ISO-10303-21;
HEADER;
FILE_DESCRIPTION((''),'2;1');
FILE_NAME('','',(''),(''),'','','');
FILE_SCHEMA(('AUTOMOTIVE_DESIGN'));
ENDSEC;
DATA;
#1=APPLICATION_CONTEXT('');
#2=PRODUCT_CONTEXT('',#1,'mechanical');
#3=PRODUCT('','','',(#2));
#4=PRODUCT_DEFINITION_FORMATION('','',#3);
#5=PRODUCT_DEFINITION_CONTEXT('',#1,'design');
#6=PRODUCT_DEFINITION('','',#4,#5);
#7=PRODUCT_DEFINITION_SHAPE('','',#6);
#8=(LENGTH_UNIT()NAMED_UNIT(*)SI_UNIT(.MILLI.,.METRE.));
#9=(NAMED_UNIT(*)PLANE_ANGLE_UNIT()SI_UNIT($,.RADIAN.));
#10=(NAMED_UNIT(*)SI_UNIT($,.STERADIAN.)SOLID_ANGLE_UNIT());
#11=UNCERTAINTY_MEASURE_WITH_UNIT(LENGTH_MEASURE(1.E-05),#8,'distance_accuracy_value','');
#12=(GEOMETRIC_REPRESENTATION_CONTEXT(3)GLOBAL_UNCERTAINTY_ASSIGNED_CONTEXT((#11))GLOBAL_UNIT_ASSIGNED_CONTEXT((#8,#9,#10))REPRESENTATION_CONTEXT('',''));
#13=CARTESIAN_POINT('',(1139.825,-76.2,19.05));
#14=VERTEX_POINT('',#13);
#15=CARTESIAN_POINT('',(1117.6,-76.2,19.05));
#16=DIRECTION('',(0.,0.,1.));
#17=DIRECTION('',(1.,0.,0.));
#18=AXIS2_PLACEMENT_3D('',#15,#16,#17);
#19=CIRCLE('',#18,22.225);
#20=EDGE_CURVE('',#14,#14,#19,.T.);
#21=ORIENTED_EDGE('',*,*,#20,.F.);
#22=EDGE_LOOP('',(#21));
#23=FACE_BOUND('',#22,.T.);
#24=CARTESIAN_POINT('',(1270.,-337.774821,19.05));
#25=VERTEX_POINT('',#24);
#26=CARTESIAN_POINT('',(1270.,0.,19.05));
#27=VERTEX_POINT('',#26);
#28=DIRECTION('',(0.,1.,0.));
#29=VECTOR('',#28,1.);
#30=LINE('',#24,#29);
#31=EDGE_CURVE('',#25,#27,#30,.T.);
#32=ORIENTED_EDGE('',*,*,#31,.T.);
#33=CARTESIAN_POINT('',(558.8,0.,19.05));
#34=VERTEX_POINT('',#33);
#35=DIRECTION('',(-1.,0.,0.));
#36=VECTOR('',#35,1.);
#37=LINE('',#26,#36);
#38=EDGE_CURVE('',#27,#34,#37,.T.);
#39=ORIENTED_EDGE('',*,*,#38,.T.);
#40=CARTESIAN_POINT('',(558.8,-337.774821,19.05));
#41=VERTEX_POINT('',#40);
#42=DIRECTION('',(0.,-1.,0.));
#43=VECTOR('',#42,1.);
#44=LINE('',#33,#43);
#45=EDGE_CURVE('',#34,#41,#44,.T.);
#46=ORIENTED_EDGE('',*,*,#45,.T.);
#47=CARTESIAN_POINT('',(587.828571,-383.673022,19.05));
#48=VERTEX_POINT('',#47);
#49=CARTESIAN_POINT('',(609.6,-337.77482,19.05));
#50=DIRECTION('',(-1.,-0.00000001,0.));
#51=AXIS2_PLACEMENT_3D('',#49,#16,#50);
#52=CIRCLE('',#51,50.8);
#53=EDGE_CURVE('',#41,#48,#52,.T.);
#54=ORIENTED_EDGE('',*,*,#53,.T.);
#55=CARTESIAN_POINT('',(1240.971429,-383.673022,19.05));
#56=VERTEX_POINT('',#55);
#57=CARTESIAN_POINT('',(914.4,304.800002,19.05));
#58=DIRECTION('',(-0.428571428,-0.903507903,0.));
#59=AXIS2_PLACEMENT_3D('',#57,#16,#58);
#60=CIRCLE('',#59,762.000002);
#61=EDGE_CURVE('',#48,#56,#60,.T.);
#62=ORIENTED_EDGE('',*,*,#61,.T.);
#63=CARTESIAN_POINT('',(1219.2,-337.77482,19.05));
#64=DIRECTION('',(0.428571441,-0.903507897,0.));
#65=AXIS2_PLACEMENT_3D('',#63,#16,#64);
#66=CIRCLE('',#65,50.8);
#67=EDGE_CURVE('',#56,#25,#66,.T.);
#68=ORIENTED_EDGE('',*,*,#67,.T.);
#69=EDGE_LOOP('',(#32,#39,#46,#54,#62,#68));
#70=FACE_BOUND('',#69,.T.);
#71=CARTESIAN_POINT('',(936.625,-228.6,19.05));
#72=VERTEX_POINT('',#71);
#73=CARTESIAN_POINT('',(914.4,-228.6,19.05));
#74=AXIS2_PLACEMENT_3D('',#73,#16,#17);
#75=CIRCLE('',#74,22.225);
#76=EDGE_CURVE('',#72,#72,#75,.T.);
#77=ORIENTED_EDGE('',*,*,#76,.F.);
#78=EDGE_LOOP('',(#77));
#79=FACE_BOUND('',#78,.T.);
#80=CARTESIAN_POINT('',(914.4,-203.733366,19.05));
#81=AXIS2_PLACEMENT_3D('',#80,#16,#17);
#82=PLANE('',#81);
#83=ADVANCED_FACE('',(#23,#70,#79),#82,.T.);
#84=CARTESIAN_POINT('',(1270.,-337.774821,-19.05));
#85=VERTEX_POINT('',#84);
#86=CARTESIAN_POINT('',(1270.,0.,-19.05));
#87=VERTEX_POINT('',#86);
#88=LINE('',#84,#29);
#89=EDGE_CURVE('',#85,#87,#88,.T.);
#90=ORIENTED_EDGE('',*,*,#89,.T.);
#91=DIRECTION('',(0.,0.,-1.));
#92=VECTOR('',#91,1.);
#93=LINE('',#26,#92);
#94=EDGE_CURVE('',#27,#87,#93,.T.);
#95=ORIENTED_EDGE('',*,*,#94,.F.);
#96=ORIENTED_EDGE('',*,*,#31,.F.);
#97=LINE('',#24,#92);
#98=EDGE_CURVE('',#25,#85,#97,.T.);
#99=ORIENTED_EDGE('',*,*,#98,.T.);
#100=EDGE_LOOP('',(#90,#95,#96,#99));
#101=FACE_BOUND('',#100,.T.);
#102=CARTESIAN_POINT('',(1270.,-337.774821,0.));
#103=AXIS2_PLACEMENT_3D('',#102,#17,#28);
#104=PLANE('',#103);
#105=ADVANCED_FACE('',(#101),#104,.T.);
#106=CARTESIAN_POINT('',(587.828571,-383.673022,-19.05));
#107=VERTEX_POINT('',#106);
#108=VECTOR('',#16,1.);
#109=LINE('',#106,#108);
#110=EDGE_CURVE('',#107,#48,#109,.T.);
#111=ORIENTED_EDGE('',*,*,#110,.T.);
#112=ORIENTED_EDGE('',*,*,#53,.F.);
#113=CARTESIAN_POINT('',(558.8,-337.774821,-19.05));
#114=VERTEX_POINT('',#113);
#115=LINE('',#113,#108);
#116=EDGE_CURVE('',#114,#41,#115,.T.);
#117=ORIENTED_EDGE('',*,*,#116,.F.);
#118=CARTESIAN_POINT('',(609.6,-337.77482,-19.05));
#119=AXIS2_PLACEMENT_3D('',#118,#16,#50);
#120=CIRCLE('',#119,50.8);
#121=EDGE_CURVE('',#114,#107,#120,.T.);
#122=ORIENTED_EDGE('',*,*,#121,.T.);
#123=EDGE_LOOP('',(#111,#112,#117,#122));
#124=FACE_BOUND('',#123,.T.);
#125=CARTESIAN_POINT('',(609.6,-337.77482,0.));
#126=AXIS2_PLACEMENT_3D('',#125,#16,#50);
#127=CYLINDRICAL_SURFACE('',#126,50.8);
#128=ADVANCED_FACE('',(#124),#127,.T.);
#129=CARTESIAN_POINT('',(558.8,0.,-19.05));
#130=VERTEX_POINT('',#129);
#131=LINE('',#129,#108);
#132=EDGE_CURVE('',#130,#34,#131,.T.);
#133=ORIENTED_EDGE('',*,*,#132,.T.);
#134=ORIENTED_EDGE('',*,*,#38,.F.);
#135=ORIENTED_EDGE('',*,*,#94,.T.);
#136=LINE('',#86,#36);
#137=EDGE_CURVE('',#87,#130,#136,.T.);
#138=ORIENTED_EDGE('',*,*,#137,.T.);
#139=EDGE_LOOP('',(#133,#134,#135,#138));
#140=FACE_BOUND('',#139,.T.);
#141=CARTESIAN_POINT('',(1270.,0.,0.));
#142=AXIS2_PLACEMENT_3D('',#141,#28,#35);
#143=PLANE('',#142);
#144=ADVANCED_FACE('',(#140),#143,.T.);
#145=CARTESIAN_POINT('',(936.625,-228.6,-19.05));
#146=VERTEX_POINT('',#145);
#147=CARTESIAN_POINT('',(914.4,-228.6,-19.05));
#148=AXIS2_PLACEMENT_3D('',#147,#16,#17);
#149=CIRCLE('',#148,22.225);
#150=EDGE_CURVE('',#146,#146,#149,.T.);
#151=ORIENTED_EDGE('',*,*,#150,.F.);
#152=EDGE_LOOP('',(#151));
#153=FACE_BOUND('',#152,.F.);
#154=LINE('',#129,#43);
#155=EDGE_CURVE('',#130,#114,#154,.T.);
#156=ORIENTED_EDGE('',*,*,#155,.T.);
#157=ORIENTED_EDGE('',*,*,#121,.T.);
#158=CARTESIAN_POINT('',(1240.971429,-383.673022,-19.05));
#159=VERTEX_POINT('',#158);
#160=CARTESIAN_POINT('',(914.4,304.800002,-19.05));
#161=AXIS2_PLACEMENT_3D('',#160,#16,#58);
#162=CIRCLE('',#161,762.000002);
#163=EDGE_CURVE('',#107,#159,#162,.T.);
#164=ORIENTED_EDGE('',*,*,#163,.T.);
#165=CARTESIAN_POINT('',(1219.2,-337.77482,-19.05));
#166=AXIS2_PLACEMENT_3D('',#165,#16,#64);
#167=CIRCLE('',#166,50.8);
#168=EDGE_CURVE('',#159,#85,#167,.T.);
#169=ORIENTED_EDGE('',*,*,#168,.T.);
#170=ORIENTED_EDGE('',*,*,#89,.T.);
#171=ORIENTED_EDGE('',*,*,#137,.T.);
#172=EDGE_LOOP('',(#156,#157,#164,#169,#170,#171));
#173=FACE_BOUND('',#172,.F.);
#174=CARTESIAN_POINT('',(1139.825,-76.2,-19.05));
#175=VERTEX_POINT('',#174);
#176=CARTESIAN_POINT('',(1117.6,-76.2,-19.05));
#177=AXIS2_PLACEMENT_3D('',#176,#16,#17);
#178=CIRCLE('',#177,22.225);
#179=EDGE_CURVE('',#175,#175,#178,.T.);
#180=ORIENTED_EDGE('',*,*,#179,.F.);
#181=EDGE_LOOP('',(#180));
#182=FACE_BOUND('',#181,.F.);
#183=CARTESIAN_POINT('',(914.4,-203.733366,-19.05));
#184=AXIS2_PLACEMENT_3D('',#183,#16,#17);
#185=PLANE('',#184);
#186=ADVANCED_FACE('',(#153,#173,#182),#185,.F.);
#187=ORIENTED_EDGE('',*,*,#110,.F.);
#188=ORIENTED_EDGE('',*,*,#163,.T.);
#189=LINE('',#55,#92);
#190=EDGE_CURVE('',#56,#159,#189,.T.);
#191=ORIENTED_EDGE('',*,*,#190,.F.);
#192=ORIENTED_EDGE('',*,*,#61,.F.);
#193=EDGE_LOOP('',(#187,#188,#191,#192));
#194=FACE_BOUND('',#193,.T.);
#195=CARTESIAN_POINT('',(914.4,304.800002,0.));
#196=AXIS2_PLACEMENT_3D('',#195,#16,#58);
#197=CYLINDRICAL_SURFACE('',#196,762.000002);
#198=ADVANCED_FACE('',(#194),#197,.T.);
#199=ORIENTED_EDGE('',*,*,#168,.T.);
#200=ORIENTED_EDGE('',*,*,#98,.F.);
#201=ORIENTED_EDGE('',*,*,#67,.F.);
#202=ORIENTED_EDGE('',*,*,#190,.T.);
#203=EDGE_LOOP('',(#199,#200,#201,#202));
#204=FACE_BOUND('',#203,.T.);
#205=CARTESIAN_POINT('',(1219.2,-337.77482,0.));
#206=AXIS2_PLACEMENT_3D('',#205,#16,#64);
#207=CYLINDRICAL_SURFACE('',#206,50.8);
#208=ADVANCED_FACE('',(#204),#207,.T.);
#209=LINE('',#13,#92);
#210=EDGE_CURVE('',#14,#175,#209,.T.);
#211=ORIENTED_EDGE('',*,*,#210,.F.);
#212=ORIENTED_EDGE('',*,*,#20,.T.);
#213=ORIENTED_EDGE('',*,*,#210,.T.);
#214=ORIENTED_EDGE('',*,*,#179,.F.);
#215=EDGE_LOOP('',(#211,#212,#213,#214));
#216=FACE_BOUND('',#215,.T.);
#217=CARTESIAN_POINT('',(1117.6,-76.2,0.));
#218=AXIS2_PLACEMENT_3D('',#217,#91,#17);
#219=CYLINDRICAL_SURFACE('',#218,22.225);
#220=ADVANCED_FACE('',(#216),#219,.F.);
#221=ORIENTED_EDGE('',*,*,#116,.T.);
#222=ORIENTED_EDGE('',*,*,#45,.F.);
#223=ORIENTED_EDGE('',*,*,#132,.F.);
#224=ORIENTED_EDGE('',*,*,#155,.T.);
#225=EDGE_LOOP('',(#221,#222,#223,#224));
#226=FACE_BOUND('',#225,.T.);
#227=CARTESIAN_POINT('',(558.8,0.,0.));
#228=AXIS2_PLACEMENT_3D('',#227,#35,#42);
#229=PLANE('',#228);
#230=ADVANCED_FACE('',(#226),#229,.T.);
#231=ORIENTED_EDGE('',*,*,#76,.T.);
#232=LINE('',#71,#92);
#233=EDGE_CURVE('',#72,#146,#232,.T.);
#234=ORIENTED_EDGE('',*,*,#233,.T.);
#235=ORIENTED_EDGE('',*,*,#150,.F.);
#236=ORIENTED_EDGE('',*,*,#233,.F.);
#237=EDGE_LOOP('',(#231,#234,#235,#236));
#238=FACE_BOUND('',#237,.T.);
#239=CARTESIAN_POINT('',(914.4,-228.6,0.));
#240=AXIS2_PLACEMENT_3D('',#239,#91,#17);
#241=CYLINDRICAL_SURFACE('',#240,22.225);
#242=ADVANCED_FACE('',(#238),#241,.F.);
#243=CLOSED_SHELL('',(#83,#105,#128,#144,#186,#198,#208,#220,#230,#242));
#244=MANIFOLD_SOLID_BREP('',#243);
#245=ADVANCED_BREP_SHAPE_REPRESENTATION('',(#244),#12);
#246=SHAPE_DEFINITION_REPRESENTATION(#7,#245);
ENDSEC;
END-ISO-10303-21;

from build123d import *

# Parameters (mm, degrees)
F0_R     = 22.225
F1_DEPTH = 19.05


with BuildPart() as f1:
    # F0 (on Top) → F1 (new body, symmetric)
    with BuildSketch(Plane.XY):
        with BuildLine():
            Line((1270, 0), (558.8, 0))
            Line((558.8, 0), (558.8, -337.774821))
            ThreePointArc((558.8, -337.774821), (566.666164, -364.928563), (587.828571, -383.673022))
            ThreePointArc((587.828571, -383.673022), (914.4, -457.2), (1240.971429, -383.673022))
            ThreePointArc((1240.971429, -383.673022), (1262.133836, -364.928563), (1270, -337.774821))
            Line((1270, -337.774821), (1270, 0))
        make_face()
        with Locations((914.4, -228.6)):
            Circle(F0_R, mode=Mode.SUBTRACT)
        with Locations((1117.6, -76.2)):
            Circle(F0_R, mode=Mode.SUBTRACT)
    extrude(amount=F1_DEPTH, both=True)


solid = f1.part
